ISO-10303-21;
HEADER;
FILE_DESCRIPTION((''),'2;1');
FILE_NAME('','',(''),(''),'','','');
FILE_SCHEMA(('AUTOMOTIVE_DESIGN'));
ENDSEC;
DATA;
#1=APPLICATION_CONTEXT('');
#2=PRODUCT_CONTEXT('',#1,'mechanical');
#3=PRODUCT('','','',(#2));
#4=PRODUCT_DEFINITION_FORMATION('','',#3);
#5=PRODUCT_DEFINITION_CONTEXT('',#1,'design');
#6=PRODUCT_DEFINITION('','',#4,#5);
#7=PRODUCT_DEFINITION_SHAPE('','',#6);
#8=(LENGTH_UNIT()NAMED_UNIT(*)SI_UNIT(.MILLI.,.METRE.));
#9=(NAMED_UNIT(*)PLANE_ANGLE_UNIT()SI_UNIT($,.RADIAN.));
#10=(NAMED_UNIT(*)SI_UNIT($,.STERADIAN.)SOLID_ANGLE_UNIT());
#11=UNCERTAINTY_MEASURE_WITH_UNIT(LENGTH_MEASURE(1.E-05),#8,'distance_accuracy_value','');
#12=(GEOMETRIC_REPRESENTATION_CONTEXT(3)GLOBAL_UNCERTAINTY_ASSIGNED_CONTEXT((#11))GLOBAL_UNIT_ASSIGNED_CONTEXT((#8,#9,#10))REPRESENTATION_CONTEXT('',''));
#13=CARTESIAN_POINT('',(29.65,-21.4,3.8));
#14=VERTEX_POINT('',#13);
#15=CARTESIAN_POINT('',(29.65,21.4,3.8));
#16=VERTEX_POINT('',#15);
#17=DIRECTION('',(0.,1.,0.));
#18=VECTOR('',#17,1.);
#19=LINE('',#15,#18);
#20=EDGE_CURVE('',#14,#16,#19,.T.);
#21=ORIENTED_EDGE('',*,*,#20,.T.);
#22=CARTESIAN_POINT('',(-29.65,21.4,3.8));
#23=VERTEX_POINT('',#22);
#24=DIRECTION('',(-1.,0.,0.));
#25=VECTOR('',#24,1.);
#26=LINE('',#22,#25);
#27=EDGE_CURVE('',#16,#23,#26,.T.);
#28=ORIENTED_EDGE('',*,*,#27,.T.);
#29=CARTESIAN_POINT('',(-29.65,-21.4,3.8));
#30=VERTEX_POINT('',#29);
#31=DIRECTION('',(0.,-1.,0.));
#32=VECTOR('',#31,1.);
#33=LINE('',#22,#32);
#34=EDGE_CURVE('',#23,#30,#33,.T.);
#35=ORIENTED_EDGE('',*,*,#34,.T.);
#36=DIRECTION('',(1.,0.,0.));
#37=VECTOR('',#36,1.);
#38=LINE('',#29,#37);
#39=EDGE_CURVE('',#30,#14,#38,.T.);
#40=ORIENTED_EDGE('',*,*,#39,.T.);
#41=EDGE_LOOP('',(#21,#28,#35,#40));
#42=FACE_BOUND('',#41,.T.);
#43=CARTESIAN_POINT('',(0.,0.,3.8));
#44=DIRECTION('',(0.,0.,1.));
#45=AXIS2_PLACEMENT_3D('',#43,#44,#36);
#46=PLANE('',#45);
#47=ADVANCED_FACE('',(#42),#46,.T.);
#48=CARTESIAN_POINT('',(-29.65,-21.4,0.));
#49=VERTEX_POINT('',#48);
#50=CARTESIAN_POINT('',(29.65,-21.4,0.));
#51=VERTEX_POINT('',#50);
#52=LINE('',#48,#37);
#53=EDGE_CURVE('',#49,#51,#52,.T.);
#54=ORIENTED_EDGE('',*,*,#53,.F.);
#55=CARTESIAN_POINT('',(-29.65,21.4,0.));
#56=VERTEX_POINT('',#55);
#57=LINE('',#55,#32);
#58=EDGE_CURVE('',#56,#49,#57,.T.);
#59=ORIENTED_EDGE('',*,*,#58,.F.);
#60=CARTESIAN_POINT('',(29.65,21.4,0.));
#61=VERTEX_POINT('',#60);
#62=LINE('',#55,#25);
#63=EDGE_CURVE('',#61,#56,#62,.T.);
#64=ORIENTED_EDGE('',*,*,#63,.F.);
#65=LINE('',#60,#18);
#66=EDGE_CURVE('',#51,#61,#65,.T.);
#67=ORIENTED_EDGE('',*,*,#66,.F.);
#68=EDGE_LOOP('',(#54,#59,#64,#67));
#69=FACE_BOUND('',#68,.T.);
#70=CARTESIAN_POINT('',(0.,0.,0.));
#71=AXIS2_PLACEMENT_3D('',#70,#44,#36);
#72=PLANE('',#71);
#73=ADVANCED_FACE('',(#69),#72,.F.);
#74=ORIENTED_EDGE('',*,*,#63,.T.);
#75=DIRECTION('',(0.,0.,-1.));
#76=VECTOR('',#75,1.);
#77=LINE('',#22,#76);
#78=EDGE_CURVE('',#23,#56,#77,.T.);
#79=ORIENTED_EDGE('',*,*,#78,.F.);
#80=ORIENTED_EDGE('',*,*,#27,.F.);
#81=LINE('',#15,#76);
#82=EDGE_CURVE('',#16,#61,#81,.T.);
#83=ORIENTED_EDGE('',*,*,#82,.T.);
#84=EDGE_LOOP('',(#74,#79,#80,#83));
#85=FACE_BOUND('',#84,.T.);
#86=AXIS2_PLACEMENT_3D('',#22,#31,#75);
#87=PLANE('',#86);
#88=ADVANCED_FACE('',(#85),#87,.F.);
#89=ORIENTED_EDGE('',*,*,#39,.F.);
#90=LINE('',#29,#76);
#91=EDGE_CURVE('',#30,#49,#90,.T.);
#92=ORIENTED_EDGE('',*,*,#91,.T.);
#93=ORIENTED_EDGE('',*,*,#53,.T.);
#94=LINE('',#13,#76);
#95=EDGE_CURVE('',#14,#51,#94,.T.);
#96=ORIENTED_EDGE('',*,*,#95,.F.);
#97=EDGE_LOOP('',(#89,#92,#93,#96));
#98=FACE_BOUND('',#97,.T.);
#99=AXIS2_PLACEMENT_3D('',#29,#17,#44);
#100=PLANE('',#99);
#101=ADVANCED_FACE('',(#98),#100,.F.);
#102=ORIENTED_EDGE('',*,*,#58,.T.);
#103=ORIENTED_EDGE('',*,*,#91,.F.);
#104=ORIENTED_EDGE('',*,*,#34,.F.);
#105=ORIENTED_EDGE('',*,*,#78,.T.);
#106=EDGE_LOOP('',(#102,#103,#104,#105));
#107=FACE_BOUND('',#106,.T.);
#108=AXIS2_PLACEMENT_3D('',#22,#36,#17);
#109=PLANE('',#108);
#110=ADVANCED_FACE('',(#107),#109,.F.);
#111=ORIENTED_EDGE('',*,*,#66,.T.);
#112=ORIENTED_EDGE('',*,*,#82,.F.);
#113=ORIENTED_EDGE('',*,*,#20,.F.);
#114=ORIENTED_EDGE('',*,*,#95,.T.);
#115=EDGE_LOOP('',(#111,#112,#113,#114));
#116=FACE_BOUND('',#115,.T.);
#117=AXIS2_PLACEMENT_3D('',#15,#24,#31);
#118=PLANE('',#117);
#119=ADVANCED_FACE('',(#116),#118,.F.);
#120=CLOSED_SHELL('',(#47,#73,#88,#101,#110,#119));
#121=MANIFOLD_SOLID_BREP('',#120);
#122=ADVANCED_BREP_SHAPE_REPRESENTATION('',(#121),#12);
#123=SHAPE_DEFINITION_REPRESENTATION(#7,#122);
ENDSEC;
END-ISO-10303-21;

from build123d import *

# Parameters (mm, degrees)
SKETCH1_W           = 59.3
SKETCH1_H           = 42.8
BOSS_EXTRUDE1_DEPTH = 3.8


with BuildPart() as part:
    # Sketch1 → Boss-Extrude1 (new body)
    with BuildSketch(Plane.XY):
        Rectangle(SKETCH1_W, SKETCH1_H)
    extrude(amount=BOSS_EXTRUDE1_DEPTH)


solid = part.part
